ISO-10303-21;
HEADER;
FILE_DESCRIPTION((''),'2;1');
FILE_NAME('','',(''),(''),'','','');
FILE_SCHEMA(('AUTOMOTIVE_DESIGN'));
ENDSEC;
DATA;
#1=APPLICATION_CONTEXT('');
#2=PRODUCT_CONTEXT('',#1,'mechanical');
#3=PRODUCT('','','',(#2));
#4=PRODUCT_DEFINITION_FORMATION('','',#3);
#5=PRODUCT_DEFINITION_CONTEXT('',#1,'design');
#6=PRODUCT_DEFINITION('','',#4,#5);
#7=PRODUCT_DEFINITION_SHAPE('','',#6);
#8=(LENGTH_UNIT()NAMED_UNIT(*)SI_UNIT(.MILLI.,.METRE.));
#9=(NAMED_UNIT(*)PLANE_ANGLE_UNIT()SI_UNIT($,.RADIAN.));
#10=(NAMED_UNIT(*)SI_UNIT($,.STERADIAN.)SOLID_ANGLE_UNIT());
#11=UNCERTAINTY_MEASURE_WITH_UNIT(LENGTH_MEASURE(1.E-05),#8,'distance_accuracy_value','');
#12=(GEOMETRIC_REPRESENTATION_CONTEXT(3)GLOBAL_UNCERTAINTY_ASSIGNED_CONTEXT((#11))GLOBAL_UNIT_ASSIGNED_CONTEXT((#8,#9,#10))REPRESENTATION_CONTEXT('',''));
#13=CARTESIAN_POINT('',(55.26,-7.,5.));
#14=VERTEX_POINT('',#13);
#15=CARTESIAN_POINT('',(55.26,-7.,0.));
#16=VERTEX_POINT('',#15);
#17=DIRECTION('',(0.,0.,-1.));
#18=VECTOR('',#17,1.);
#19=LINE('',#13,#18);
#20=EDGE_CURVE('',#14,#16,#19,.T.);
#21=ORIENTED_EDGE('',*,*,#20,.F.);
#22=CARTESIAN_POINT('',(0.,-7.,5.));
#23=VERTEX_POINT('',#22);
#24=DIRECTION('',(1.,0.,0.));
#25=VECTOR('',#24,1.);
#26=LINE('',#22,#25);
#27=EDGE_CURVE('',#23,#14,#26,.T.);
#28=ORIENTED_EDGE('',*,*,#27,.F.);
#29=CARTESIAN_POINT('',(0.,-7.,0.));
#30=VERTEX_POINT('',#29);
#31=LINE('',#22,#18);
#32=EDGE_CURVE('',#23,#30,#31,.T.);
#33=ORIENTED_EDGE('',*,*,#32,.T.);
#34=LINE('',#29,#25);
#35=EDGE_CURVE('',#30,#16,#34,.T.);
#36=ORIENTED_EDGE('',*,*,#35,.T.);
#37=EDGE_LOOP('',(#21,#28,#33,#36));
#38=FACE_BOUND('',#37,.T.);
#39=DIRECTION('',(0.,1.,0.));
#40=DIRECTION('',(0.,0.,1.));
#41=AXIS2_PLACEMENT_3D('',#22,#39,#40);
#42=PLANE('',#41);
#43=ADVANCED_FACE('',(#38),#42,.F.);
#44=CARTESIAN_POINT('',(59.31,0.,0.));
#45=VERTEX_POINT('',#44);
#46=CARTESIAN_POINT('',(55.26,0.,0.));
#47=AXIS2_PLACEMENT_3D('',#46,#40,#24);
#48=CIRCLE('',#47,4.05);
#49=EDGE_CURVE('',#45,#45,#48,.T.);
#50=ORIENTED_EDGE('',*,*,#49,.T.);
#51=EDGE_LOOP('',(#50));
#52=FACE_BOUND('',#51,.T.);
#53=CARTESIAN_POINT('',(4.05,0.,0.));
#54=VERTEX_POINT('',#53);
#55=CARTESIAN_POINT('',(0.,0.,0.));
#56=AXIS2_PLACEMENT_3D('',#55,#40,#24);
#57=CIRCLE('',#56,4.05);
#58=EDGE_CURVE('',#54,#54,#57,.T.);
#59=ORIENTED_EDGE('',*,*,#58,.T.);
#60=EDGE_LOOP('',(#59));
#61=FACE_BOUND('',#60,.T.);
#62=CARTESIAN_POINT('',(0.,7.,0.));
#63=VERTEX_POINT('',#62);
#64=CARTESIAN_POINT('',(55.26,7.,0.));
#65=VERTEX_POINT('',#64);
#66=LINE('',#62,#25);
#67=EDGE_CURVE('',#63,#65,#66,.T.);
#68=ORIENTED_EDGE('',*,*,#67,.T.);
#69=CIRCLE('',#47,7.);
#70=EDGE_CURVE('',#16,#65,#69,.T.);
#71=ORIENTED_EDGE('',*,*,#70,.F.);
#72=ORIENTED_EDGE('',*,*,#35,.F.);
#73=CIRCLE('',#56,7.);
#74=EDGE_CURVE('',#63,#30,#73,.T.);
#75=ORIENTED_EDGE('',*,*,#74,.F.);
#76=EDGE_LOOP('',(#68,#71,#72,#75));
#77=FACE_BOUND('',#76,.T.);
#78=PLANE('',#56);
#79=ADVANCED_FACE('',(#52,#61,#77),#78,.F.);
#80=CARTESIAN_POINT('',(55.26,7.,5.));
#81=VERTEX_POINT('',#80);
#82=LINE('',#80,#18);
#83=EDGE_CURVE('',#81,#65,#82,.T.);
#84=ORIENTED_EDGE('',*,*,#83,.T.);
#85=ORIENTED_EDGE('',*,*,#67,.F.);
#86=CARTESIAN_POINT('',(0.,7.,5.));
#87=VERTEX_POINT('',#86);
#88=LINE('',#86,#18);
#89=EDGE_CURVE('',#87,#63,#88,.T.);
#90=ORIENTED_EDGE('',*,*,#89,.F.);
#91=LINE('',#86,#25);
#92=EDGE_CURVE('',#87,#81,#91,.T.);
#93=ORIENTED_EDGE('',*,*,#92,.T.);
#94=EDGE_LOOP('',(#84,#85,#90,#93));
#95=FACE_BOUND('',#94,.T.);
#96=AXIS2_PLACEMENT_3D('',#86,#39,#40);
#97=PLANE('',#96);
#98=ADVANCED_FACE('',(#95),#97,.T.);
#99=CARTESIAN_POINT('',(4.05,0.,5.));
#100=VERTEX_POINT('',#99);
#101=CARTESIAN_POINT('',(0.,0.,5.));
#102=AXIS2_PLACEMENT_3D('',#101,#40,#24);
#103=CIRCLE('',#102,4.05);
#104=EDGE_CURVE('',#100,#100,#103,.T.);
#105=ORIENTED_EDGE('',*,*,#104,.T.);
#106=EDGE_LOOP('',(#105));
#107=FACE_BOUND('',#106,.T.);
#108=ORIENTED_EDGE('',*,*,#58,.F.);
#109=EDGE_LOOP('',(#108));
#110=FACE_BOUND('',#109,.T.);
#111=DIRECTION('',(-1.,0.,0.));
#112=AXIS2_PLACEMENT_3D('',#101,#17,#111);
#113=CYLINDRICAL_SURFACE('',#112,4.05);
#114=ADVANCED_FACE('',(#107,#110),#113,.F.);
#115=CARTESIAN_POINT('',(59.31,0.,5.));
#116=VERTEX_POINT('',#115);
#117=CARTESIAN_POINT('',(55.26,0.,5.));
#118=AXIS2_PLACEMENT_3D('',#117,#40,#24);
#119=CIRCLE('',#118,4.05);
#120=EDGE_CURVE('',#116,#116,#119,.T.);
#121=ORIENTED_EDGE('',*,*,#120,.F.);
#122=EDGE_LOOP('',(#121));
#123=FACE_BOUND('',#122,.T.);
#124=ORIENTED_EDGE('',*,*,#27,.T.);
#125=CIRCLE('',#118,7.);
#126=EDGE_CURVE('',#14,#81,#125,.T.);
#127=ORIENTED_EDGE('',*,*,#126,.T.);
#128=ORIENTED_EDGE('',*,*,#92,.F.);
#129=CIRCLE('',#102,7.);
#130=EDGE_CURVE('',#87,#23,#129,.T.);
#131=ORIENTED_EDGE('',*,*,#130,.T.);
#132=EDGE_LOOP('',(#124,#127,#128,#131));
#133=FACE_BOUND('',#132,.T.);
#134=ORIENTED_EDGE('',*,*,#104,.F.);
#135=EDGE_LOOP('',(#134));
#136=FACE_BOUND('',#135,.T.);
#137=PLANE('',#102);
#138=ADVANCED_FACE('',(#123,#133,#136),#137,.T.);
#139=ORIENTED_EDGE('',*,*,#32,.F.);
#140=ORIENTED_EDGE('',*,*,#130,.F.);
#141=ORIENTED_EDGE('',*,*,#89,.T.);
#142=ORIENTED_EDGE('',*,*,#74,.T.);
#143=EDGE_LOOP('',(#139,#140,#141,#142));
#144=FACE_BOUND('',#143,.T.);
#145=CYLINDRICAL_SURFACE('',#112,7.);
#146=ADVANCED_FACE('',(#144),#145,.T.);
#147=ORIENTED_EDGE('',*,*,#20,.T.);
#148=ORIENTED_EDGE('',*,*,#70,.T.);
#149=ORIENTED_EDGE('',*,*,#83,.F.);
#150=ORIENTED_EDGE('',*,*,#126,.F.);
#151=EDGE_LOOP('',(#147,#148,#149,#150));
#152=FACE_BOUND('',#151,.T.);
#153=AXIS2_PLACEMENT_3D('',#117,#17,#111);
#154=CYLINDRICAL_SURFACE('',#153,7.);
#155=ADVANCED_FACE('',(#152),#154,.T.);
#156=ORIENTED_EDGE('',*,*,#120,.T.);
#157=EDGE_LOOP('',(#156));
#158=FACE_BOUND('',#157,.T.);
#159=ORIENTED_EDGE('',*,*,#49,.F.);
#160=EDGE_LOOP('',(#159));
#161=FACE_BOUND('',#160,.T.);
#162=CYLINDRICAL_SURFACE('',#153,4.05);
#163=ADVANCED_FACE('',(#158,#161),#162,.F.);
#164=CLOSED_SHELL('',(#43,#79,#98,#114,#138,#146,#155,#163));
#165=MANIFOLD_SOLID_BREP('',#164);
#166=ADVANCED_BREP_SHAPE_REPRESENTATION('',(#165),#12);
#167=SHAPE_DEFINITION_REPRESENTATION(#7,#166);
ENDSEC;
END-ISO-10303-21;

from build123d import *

# Parameters (mm, degrees)
EXTRUDE_1_DEPTH = 5


with BuildPart() as part:
    # 草图1 → 凸台-拉伸1 (new body)
    with BuildSketch(Plane.XY):
        with BuildLine():
            ThreePointArc((0, 7), (4.949747468, 4.949747468), (7, 0))
            Line((7, 0), (48.26, 0))
            ThreePointArc((48.26, 0), (50.310252532, 4.949747468), (55.26, 7))
            Line((55.26, 7), (0, 7))
        make_face()
        with BuildLine():
            ThreePointArc((55.26, 7), (50.310252532, 4.949747468), (48.26, 0))
            Line((48.26, 0), (51.21, 0))
            ThreePointArc((51.21, 0), (55.26, 4.05), (59.31, 0))
            Line((59.31, 0), (62.26, 0))
            ThreePointArc((62.26, 0), (60.209747468, 4.949747468), (55.26, 7))
        make_face()
        with BuildLine():
            Line((51.21, 0), (48.26, 0))
            ThreePointArc((48.26, 0), (50.310252532, -4.949747468), (55.26, -7))
            ThreePointArc((55.26, -7), (60.209747468, -4.949747468), (62.26, 0))
            Line((62.26, 0), (59.31, 0))
            ThreePointArc((59.31, 0), (55.26, -4.05), (51.21, 0))
        make_face()
        with BuildLine():
            Line((48.26, 0), (7, 0))
            ThreePointArc((7, 0), (4.949747468, -4.949747468), (0, -7))
            Line((0, -7), (55.26, -7))
            ThreePointArc((55.26, -7), (50.310252532, -4.949747468), (48.26, 0))
        make_face()
        with BuildLine():
            ThreePointArc((-4.05, 0), (0, 4.05), (4.05, 0))
            Line((4.05, 0), (7, 0))
            ThreePointArc((7, 0), (4.949747468, 4.949747468), (0, 7))
            ThreePointArc((0, 7), (-4.949747468, 4.949747468), (-7, 0))
            Line((-7, 0), (-4.05, 0))
        make_face()
        with BuildLine():
            Line((7, 0), (4.05, 0))
            ThreePointArc((4.05, 0), (0, -4.05), (-4.05, 0))
            Line((-4.05, 0), (-7, 0))
            ThreePointArc((-7, 0), (-4.949747468, -4.949747468), (0, -7))
            ThreePointArc((0, -7), (4.949747468, -4.949747468), (7, 0))
        make_face()
    extrude(amount=EXTRUDE_1_DEPTH)


solid = part.part
